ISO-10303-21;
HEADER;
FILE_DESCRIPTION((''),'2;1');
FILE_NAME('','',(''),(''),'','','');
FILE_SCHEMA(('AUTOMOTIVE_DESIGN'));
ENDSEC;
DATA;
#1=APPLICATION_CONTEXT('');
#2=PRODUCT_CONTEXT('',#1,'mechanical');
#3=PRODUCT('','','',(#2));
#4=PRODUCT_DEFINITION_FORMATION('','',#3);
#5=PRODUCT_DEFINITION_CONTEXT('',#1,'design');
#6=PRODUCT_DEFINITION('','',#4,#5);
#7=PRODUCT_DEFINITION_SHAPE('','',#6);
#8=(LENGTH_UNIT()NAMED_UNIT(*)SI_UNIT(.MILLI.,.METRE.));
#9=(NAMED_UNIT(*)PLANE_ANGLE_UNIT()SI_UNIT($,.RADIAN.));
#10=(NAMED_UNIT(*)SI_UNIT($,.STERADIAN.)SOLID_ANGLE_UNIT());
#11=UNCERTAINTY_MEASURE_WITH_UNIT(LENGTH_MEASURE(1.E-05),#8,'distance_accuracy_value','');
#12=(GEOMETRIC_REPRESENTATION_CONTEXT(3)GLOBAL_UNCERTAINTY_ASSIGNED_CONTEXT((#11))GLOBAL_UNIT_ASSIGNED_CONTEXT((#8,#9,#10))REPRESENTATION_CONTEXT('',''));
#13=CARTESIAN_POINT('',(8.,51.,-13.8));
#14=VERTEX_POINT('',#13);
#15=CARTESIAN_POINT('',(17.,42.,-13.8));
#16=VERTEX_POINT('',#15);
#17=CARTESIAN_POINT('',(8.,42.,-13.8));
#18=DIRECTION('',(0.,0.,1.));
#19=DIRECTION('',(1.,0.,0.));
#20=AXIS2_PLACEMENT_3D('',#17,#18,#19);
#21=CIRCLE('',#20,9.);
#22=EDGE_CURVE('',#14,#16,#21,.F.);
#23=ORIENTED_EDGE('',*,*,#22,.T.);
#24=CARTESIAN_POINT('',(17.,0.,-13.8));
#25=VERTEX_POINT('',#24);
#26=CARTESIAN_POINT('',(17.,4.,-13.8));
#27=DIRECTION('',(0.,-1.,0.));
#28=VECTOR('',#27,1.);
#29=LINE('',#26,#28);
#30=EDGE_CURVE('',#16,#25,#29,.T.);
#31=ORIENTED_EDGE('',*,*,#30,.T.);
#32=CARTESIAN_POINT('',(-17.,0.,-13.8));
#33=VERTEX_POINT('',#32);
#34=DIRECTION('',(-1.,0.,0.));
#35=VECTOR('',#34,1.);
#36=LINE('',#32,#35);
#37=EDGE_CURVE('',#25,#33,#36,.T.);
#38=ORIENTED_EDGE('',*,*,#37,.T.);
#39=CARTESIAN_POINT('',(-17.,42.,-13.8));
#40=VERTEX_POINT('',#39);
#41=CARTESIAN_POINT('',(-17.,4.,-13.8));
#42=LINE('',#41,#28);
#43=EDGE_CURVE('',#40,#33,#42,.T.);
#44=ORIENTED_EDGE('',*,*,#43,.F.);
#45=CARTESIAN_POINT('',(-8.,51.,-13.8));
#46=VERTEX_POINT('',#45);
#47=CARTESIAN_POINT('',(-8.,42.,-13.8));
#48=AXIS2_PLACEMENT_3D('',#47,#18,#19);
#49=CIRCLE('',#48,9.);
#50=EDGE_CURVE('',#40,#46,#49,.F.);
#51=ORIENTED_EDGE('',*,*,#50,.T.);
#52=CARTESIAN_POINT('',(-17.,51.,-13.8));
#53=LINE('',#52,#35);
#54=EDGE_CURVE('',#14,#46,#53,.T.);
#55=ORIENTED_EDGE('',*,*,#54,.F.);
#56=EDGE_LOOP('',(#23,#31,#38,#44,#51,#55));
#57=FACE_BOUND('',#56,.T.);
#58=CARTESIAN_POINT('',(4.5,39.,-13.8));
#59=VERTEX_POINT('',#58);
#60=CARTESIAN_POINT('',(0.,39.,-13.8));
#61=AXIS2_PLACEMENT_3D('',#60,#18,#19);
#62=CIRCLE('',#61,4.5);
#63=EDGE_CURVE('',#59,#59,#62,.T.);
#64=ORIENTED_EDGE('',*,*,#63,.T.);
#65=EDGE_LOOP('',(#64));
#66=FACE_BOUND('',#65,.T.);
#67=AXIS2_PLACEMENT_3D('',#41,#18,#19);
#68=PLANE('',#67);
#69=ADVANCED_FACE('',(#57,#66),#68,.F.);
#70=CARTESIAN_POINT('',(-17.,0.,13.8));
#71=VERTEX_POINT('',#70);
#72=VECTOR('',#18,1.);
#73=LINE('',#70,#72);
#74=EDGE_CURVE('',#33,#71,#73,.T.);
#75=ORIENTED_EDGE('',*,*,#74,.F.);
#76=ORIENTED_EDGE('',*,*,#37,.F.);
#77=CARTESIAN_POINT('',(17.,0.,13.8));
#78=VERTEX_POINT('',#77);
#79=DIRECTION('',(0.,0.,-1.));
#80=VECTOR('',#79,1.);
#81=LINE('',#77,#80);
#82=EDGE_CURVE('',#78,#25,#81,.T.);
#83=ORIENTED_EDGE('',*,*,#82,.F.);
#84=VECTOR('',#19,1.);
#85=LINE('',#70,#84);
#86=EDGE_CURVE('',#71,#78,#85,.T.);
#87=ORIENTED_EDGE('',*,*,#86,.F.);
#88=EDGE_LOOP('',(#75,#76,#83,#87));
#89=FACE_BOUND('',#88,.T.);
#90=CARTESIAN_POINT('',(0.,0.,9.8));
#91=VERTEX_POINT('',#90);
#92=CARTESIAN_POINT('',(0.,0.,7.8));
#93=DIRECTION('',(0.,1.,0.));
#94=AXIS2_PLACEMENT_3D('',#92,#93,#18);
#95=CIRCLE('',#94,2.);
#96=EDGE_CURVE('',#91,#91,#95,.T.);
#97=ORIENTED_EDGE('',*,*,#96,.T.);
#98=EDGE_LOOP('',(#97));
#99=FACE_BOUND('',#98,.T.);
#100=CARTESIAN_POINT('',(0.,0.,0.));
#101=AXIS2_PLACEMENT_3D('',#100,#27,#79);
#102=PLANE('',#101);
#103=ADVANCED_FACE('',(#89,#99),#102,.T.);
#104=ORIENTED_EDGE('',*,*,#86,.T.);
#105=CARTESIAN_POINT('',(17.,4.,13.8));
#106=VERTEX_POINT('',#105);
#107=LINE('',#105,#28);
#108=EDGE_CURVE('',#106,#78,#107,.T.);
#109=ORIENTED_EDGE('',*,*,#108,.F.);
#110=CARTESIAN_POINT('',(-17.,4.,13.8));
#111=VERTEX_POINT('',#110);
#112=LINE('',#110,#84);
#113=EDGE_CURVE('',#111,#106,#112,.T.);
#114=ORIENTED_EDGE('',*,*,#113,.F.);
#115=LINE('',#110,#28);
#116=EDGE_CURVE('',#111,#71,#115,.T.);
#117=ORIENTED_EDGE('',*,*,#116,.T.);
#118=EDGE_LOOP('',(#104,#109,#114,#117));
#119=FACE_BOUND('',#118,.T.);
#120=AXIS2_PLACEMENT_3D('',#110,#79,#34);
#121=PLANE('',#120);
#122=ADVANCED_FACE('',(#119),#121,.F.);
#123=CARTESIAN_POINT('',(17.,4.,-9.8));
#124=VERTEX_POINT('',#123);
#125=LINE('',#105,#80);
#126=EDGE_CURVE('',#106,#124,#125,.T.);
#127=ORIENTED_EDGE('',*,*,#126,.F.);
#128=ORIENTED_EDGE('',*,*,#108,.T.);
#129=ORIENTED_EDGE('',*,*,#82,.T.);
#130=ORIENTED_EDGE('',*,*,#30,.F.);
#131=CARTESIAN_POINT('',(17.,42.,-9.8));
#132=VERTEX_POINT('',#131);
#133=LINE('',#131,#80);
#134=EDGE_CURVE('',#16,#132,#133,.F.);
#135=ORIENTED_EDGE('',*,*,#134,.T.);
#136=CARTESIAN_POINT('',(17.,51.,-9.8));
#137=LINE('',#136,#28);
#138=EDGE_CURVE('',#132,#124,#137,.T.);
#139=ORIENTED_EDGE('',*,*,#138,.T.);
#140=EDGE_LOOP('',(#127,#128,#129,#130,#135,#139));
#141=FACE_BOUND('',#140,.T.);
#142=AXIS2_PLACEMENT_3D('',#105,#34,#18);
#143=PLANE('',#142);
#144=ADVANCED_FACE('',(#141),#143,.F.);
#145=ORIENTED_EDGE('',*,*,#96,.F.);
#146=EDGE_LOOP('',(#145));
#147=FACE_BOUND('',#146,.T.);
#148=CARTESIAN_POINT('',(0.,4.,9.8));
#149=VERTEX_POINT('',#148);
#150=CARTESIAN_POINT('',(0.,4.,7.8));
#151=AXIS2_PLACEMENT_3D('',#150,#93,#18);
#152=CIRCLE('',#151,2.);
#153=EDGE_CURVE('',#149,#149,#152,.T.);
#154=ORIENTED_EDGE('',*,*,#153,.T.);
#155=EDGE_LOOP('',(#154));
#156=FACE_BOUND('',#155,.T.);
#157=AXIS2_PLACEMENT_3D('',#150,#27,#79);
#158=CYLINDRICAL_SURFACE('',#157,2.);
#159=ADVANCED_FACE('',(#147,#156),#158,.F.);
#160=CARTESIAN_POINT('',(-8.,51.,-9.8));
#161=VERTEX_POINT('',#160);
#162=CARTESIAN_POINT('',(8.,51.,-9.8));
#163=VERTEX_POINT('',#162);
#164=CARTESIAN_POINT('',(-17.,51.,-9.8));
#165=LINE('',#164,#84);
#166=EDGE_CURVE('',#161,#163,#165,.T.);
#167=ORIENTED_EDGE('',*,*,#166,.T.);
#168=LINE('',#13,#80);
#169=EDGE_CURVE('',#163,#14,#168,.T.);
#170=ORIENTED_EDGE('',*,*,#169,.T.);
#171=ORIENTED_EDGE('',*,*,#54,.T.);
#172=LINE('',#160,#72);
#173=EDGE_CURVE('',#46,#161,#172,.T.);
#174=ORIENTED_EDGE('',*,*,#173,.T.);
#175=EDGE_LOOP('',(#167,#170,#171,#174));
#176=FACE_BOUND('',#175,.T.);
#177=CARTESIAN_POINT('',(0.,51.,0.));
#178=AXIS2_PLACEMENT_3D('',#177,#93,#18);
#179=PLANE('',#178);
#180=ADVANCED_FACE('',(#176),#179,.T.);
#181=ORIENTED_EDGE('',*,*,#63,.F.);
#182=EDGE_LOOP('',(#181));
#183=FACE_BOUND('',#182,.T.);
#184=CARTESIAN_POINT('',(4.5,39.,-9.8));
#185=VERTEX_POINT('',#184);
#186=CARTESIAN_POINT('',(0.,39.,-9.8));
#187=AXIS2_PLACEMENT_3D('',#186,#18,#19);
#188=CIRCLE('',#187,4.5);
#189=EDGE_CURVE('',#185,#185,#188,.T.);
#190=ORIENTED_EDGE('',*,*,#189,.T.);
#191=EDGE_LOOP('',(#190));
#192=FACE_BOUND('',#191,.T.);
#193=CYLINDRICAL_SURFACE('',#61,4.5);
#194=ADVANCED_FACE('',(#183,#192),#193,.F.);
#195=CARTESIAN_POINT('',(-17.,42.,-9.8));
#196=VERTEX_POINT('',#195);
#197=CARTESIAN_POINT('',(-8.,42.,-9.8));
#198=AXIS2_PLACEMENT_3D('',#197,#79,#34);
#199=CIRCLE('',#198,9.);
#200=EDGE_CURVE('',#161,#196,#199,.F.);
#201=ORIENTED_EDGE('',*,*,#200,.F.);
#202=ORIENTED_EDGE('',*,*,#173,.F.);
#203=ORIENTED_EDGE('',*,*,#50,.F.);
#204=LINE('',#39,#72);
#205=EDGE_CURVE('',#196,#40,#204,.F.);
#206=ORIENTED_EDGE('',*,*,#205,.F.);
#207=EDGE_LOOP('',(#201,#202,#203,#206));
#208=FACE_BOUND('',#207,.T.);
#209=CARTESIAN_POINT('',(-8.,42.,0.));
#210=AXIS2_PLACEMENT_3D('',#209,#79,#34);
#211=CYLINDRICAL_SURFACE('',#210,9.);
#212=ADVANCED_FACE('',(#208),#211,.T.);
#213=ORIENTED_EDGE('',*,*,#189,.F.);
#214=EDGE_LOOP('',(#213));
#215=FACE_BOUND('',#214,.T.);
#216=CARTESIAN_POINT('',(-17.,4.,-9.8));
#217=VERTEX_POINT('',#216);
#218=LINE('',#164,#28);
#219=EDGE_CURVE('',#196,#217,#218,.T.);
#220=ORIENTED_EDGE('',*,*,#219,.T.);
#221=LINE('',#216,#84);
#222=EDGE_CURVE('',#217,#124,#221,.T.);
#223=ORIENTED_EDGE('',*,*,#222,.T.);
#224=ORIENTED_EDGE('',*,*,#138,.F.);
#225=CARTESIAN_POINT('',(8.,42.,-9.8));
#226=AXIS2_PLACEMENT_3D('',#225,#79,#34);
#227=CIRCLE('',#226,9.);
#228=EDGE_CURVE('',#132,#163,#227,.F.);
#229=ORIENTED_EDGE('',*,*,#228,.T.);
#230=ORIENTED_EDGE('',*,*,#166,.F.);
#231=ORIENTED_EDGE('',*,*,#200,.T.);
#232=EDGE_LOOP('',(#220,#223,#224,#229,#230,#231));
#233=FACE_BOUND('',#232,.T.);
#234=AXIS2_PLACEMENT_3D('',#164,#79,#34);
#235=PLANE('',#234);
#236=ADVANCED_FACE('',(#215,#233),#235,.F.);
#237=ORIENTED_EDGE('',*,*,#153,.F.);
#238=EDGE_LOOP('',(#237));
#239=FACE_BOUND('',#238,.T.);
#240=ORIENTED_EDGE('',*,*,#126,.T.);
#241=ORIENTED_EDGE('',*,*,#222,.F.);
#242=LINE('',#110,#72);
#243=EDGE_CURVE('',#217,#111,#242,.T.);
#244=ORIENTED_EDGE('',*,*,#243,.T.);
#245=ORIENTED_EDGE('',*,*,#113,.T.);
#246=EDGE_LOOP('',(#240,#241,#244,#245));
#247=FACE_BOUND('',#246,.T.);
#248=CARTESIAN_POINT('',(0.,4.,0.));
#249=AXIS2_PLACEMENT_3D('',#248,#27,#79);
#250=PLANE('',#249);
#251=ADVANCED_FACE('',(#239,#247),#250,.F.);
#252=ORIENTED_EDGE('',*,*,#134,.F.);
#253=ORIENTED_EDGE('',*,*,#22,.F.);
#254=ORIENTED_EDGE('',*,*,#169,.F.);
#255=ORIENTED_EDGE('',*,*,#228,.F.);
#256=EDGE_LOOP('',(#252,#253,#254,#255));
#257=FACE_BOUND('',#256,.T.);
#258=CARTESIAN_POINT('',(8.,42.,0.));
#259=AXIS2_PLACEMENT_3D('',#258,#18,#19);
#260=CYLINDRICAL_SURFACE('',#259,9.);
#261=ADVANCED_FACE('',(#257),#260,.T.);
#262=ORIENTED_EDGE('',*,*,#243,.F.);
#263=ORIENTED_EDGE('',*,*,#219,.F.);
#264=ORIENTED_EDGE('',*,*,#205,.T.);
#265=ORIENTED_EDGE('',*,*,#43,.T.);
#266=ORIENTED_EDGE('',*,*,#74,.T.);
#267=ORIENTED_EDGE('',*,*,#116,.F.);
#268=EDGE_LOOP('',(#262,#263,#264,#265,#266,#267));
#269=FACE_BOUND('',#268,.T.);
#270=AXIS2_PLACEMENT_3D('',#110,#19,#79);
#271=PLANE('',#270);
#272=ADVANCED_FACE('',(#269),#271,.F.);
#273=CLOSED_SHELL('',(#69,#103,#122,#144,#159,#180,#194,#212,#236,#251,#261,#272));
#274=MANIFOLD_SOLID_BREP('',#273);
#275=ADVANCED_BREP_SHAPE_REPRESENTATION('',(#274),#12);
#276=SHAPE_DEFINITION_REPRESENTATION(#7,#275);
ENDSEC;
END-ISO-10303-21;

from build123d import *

# Parameters (mm, degrees)
SKETCH2_W           = 34
SKETCH2_H           = 27.6
SKETCH2_R           = 2
BOSS_EXTRUDE1_DEPTH = 4
SKETCH3_W           = 34
SKETCH3_H           = 4
BOSS_EXTRUDE2_DEPTH = 47
FILLET1_R           = 9
SKETCH4_R           = 4.5
CUT_EXTRUDE1_DEPTH  = 5


with BuildPart() as part:
    # Sketch2 → Boss-Extrude1 (new body)
    with BuildSketch(Plane(origin=(0, 0, 0), x_dir=(1, 0, 0), z_dir=(0, 1, 0))):
        Rectangle(SKETCH2_W, SKETCH2_H)
        with Locations((0, -7.8)):
            Circle(SKETCH2_R, mode=Mode.SUBTRACT)
    extrude(amount=BOSS_EXTRUDE1_DEPTH)

    # Sketch3 → Boss-Extrude2 (add)
    with BuildSketch(Plane(origin=(0, 4, 0), x_dir=(1, 0, 0), z_dir=(0, 1, 0))):
        with Locations((0, 11.8)):
            Rectangle(SKETCH3_W, SKETCH3_H)
    extrude(amount=BOSS_EXTRUDE2_DEPTH)

    # Fillet1
    fillet1_edges = [part.edges().sort_by_distance(p)[0] for p in [
        (-17, 51, -11.8),
        (17, 51, -11.8),
    ]]
    fillet(fillet1_edges, radius=FILLET1_R)

    # Sketch4 → Cut-Extrude1 (cut, through all)
    with BuildSketch(Plane.XY.offset(-9.8)):
        with Locations((0, 39)):
            Circle(SKETCH4_R)
    extrude(amount=-CUT_EXTRUDE1_DEPTH, mode=Mode.SUBTRACT)


solid = part.part
